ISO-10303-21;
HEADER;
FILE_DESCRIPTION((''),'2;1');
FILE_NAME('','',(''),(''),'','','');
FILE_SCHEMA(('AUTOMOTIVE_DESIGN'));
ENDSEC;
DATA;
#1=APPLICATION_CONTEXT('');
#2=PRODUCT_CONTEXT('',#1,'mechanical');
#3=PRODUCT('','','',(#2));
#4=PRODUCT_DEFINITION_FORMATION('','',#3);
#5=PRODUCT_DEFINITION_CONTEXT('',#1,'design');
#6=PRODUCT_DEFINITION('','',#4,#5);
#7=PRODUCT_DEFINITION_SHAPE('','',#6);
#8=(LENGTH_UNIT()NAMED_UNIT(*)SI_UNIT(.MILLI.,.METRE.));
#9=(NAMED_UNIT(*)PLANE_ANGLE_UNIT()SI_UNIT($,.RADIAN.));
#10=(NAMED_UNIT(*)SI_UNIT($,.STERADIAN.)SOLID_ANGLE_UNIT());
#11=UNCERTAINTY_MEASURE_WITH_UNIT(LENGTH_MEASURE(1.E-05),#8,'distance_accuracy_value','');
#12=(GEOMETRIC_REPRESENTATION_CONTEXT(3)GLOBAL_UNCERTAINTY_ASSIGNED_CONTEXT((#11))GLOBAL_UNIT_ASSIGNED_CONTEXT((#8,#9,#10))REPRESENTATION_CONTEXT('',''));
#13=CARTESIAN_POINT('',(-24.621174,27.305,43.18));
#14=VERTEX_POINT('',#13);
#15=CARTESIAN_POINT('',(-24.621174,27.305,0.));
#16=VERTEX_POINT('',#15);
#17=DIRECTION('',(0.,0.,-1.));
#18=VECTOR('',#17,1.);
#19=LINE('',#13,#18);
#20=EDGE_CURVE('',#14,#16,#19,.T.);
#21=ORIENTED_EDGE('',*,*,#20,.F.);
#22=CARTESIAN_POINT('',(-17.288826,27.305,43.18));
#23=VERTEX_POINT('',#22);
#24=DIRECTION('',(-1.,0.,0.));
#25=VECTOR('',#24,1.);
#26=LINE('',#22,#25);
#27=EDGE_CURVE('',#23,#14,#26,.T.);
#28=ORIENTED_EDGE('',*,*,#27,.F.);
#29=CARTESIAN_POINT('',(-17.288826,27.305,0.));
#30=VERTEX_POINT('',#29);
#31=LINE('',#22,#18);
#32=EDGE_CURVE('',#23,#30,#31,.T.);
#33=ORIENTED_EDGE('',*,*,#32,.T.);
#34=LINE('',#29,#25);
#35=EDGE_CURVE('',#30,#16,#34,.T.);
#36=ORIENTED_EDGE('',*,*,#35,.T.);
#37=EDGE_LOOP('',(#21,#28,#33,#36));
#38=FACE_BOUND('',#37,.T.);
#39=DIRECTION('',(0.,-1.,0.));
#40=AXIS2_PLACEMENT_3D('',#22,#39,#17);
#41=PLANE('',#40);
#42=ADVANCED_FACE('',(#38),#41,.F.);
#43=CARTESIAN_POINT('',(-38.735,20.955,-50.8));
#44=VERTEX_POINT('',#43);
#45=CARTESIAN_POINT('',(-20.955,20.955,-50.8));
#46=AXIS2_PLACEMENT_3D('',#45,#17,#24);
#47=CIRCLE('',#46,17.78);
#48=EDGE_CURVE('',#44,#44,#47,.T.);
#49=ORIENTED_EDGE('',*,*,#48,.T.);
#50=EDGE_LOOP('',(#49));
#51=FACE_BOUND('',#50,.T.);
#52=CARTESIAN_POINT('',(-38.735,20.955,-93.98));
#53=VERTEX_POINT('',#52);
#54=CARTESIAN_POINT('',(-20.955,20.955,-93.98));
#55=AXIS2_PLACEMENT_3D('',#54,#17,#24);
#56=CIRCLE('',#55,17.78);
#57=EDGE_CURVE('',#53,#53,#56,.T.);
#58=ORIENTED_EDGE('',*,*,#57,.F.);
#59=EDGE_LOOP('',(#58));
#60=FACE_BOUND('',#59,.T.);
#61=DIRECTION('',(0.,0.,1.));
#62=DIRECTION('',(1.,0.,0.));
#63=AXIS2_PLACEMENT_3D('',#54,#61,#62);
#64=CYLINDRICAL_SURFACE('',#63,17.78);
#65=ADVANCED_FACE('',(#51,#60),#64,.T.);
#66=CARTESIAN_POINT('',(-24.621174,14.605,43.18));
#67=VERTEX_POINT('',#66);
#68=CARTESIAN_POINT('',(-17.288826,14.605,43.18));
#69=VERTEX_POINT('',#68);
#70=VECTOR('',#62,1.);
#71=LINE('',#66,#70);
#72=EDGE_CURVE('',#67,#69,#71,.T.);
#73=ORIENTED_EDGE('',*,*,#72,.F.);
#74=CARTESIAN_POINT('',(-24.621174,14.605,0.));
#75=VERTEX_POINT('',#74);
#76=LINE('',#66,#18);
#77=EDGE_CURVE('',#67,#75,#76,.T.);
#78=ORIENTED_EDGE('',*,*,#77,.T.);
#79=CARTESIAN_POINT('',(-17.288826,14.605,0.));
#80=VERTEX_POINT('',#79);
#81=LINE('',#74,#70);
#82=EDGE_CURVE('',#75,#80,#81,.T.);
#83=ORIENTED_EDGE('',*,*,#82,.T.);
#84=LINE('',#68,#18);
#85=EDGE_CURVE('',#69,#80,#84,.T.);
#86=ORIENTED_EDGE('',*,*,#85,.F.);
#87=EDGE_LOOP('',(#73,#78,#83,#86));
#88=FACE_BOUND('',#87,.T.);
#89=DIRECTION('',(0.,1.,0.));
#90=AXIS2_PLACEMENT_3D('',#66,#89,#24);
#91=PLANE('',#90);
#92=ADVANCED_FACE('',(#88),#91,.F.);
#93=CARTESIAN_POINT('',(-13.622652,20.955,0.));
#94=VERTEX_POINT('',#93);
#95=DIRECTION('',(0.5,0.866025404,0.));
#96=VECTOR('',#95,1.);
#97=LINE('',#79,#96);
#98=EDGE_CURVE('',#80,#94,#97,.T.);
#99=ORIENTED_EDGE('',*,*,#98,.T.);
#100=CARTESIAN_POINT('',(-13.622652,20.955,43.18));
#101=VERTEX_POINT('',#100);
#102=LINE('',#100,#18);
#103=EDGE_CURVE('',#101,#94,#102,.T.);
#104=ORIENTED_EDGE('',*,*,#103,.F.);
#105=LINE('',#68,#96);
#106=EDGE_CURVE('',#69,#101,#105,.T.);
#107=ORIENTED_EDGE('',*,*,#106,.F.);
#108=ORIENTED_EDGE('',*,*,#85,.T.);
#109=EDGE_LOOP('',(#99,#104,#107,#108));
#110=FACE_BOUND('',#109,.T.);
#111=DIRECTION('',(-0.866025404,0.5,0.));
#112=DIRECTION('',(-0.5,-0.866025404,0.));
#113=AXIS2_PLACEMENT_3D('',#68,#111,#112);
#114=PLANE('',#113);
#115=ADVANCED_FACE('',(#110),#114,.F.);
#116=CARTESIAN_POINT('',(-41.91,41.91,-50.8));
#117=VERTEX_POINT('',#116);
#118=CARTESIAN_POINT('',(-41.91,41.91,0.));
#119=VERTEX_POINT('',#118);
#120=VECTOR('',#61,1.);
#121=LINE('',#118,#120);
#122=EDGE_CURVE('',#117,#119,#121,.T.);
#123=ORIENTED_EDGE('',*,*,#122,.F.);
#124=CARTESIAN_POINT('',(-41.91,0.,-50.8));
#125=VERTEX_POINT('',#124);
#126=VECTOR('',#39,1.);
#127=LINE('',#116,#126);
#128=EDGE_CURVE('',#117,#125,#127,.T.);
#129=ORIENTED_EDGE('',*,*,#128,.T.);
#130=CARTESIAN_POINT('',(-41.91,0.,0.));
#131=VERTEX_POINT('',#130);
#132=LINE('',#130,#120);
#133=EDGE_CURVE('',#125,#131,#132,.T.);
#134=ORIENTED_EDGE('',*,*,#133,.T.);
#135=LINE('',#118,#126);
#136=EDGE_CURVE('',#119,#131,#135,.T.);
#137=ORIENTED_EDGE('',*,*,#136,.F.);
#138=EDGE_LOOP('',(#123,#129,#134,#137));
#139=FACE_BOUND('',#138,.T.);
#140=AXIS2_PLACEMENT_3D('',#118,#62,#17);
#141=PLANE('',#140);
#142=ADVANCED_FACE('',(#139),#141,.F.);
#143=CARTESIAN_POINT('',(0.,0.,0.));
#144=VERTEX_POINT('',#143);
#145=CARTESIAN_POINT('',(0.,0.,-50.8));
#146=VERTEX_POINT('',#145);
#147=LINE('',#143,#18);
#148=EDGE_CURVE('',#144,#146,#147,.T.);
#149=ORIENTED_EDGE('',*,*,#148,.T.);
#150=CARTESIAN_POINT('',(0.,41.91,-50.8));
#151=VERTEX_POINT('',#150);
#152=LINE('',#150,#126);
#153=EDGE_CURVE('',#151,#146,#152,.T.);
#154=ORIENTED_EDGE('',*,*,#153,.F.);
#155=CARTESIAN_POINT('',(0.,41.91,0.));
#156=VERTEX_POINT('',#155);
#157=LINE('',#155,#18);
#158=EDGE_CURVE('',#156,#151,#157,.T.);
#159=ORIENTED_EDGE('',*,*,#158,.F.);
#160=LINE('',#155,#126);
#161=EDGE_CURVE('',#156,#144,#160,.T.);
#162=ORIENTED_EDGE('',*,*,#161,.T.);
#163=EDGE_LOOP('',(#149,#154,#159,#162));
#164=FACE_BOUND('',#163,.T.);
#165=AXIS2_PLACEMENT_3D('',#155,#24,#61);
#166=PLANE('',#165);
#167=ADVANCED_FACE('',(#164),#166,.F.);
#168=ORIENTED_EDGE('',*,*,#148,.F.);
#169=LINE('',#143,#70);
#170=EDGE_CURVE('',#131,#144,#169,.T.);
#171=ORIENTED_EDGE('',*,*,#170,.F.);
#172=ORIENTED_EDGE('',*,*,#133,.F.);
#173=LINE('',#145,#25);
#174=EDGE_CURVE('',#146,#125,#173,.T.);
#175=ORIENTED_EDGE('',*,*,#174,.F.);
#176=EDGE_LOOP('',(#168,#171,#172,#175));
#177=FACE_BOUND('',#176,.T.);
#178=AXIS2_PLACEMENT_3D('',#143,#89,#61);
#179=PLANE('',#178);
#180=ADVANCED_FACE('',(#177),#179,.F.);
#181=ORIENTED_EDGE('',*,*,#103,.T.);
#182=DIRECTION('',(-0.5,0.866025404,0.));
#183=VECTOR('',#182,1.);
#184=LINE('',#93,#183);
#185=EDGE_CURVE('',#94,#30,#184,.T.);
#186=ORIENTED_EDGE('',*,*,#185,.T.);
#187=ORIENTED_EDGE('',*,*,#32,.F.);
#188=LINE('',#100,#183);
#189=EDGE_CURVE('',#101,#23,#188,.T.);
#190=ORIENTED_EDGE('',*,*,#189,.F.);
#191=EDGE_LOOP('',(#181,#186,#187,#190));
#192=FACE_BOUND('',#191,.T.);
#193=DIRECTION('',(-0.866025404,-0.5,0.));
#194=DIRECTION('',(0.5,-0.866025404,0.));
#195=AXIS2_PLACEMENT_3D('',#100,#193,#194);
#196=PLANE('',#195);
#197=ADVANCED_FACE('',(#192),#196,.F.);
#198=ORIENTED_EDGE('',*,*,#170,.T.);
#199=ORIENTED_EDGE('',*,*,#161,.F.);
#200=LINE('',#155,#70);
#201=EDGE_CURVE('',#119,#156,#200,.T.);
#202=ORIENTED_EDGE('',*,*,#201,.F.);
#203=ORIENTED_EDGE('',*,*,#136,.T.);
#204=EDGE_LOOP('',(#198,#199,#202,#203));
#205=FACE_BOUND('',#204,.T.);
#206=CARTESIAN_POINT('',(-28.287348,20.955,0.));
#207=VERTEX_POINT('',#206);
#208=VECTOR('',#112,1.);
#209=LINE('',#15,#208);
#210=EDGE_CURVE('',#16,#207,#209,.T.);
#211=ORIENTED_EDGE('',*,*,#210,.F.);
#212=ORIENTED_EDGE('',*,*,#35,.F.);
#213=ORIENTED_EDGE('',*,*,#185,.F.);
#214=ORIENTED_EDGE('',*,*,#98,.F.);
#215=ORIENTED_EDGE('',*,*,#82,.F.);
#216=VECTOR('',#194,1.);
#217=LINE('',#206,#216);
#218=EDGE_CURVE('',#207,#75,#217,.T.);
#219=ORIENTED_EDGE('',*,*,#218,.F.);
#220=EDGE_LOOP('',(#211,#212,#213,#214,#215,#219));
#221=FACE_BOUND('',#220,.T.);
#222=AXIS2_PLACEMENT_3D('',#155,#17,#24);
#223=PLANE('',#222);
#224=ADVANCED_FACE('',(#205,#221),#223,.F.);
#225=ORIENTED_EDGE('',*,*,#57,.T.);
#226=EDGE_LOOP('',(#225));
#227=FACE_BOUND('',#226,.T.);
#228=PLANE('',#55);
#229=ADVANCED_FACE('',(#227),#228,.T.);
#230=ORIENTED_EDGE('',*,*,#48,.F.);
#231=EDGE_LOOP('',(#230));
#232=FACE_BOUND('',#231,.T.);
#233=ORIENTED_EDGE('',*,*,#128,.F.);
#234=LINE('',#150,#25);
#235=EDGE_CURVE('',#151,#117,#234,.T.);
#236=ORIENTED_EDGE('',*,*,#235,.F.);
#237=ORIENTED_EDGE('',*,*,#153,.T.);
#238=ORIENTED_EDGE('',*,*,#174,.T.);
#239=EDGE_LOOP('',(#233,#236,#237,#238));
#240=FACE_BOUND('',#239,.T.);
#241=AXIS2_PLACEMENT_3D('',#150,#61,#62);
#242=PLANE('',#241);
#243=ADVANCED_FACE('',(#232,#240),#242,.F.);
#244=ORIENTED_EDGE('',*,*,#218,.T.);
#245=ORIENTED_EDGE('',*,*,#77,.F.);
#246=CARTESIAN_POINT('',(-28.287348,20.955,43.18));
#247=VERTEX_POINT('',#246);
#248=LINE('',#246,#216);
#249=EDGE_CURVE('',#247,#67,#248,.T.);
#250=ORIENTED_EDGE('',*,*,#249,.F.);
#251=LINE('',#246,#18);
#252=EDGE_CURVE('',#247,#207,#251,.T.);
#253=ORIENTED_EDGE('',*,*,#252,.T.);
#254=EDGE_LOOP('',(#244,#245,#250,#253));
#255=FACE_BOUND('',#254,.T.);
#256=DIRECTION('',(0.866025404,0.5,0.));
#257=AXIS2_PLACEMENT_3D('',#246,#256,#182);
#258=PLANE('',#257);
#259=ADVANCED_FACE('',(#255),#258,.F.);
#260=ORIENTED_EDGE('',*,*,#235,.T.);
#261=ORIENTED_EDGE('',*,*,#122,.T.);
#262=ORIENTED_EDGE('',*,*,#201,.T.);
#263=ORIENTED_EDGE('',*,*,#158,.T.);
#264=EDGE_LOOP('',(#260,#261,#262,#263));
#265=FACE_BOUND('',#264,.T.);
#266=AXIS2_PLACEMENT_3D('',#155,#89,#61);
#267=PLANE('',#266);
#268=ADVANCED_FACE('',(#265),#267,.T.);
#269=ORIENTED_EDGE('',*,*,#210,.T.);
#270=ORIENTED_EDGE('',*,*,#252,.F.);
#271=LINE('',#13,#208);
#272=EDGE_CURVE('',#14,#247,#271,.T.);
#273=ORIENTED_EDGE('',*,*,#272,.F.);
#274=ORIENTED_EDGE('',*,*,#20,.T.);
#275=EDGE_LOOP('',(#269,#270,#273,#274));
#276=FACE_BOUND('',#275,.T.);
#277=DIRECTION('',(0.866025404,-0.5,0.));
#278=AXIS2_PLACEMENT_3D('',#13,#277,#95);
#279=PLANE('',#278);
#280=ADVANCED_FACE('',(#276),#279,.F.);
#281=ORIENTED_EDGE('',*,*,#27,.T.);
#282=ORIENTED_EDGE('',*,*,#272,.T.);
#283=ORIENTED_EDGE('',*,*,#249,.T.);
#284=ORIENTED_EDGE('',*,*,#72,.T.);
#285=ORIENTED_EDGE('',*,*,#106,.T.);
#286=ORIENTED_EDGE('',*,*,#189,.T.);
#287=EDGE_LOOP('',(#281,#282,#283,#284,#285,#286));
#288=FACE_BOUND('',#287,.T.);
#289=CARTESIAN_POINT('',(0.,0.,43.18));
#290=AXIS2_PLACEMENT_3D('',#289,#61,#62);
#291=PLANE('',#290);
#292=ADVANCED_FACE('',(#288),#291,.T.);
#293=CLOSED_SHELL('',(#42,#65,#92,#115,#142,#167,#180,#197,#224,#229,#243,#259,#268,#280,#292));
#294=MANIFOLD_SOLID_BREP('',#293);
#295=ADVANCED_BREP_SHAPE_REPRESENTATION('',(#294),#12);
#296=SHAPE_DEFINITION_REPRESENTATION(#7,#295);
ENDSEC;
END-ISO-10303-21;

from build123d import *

# Parameters (mm, degrees)
SKETCH1_W           = 41.91
SKETCH1_H           = 50.8
BOSS_EXTRUDE1_DEPTH = 41.91
SKETCH2_R           = 17.78
BOSS_EXTRUDE2_DEPTH = 43.18
BOSS_EXTRUDE4_DEPTH = 43.18


with BuildPart() as part:
    # Sketch1 → Boss-Extrude1 (new body)
    with BuildSketch(Plane(origin=(0, 0, 0), x_dir=(1, 0, 0), z_dir=(0, 1, 0))):
        with Locations((-20.955, 25.4)):
            Rectangle(SKETCH1_W, SKETCH1_H)
    extrude(amount=BOSS_EXTRUDE1_DEPTH)

    # Sketch2 → Boss-Extrude2 (add)
    with BuildSketch(Plane(origin=(0, 0, -50.8), x_dir=(-1, 0, 0), z_dir=(0, 0, -1))):
        with Locations((20.955, 20.955)):
            Circle(SKETCH2_R)
    extrude(amount=BOSS_EXTRUDE2_DEPTH)

    # Sketch3 → Boss-Extrude4 (add)
    with BuildSketch(Plane.XY):
        Polygon((-13.622651581, 20.955), (-17.288825791, 27.305), (-24.621174209, 27.305), (-28.287348419, 20.955), (-24.621174209, 14.605), (-17.288825791, 14.605), align=None)
    extrude(amount=BOSS_EXTRUDE4_DEPTH)


solid = part.part
